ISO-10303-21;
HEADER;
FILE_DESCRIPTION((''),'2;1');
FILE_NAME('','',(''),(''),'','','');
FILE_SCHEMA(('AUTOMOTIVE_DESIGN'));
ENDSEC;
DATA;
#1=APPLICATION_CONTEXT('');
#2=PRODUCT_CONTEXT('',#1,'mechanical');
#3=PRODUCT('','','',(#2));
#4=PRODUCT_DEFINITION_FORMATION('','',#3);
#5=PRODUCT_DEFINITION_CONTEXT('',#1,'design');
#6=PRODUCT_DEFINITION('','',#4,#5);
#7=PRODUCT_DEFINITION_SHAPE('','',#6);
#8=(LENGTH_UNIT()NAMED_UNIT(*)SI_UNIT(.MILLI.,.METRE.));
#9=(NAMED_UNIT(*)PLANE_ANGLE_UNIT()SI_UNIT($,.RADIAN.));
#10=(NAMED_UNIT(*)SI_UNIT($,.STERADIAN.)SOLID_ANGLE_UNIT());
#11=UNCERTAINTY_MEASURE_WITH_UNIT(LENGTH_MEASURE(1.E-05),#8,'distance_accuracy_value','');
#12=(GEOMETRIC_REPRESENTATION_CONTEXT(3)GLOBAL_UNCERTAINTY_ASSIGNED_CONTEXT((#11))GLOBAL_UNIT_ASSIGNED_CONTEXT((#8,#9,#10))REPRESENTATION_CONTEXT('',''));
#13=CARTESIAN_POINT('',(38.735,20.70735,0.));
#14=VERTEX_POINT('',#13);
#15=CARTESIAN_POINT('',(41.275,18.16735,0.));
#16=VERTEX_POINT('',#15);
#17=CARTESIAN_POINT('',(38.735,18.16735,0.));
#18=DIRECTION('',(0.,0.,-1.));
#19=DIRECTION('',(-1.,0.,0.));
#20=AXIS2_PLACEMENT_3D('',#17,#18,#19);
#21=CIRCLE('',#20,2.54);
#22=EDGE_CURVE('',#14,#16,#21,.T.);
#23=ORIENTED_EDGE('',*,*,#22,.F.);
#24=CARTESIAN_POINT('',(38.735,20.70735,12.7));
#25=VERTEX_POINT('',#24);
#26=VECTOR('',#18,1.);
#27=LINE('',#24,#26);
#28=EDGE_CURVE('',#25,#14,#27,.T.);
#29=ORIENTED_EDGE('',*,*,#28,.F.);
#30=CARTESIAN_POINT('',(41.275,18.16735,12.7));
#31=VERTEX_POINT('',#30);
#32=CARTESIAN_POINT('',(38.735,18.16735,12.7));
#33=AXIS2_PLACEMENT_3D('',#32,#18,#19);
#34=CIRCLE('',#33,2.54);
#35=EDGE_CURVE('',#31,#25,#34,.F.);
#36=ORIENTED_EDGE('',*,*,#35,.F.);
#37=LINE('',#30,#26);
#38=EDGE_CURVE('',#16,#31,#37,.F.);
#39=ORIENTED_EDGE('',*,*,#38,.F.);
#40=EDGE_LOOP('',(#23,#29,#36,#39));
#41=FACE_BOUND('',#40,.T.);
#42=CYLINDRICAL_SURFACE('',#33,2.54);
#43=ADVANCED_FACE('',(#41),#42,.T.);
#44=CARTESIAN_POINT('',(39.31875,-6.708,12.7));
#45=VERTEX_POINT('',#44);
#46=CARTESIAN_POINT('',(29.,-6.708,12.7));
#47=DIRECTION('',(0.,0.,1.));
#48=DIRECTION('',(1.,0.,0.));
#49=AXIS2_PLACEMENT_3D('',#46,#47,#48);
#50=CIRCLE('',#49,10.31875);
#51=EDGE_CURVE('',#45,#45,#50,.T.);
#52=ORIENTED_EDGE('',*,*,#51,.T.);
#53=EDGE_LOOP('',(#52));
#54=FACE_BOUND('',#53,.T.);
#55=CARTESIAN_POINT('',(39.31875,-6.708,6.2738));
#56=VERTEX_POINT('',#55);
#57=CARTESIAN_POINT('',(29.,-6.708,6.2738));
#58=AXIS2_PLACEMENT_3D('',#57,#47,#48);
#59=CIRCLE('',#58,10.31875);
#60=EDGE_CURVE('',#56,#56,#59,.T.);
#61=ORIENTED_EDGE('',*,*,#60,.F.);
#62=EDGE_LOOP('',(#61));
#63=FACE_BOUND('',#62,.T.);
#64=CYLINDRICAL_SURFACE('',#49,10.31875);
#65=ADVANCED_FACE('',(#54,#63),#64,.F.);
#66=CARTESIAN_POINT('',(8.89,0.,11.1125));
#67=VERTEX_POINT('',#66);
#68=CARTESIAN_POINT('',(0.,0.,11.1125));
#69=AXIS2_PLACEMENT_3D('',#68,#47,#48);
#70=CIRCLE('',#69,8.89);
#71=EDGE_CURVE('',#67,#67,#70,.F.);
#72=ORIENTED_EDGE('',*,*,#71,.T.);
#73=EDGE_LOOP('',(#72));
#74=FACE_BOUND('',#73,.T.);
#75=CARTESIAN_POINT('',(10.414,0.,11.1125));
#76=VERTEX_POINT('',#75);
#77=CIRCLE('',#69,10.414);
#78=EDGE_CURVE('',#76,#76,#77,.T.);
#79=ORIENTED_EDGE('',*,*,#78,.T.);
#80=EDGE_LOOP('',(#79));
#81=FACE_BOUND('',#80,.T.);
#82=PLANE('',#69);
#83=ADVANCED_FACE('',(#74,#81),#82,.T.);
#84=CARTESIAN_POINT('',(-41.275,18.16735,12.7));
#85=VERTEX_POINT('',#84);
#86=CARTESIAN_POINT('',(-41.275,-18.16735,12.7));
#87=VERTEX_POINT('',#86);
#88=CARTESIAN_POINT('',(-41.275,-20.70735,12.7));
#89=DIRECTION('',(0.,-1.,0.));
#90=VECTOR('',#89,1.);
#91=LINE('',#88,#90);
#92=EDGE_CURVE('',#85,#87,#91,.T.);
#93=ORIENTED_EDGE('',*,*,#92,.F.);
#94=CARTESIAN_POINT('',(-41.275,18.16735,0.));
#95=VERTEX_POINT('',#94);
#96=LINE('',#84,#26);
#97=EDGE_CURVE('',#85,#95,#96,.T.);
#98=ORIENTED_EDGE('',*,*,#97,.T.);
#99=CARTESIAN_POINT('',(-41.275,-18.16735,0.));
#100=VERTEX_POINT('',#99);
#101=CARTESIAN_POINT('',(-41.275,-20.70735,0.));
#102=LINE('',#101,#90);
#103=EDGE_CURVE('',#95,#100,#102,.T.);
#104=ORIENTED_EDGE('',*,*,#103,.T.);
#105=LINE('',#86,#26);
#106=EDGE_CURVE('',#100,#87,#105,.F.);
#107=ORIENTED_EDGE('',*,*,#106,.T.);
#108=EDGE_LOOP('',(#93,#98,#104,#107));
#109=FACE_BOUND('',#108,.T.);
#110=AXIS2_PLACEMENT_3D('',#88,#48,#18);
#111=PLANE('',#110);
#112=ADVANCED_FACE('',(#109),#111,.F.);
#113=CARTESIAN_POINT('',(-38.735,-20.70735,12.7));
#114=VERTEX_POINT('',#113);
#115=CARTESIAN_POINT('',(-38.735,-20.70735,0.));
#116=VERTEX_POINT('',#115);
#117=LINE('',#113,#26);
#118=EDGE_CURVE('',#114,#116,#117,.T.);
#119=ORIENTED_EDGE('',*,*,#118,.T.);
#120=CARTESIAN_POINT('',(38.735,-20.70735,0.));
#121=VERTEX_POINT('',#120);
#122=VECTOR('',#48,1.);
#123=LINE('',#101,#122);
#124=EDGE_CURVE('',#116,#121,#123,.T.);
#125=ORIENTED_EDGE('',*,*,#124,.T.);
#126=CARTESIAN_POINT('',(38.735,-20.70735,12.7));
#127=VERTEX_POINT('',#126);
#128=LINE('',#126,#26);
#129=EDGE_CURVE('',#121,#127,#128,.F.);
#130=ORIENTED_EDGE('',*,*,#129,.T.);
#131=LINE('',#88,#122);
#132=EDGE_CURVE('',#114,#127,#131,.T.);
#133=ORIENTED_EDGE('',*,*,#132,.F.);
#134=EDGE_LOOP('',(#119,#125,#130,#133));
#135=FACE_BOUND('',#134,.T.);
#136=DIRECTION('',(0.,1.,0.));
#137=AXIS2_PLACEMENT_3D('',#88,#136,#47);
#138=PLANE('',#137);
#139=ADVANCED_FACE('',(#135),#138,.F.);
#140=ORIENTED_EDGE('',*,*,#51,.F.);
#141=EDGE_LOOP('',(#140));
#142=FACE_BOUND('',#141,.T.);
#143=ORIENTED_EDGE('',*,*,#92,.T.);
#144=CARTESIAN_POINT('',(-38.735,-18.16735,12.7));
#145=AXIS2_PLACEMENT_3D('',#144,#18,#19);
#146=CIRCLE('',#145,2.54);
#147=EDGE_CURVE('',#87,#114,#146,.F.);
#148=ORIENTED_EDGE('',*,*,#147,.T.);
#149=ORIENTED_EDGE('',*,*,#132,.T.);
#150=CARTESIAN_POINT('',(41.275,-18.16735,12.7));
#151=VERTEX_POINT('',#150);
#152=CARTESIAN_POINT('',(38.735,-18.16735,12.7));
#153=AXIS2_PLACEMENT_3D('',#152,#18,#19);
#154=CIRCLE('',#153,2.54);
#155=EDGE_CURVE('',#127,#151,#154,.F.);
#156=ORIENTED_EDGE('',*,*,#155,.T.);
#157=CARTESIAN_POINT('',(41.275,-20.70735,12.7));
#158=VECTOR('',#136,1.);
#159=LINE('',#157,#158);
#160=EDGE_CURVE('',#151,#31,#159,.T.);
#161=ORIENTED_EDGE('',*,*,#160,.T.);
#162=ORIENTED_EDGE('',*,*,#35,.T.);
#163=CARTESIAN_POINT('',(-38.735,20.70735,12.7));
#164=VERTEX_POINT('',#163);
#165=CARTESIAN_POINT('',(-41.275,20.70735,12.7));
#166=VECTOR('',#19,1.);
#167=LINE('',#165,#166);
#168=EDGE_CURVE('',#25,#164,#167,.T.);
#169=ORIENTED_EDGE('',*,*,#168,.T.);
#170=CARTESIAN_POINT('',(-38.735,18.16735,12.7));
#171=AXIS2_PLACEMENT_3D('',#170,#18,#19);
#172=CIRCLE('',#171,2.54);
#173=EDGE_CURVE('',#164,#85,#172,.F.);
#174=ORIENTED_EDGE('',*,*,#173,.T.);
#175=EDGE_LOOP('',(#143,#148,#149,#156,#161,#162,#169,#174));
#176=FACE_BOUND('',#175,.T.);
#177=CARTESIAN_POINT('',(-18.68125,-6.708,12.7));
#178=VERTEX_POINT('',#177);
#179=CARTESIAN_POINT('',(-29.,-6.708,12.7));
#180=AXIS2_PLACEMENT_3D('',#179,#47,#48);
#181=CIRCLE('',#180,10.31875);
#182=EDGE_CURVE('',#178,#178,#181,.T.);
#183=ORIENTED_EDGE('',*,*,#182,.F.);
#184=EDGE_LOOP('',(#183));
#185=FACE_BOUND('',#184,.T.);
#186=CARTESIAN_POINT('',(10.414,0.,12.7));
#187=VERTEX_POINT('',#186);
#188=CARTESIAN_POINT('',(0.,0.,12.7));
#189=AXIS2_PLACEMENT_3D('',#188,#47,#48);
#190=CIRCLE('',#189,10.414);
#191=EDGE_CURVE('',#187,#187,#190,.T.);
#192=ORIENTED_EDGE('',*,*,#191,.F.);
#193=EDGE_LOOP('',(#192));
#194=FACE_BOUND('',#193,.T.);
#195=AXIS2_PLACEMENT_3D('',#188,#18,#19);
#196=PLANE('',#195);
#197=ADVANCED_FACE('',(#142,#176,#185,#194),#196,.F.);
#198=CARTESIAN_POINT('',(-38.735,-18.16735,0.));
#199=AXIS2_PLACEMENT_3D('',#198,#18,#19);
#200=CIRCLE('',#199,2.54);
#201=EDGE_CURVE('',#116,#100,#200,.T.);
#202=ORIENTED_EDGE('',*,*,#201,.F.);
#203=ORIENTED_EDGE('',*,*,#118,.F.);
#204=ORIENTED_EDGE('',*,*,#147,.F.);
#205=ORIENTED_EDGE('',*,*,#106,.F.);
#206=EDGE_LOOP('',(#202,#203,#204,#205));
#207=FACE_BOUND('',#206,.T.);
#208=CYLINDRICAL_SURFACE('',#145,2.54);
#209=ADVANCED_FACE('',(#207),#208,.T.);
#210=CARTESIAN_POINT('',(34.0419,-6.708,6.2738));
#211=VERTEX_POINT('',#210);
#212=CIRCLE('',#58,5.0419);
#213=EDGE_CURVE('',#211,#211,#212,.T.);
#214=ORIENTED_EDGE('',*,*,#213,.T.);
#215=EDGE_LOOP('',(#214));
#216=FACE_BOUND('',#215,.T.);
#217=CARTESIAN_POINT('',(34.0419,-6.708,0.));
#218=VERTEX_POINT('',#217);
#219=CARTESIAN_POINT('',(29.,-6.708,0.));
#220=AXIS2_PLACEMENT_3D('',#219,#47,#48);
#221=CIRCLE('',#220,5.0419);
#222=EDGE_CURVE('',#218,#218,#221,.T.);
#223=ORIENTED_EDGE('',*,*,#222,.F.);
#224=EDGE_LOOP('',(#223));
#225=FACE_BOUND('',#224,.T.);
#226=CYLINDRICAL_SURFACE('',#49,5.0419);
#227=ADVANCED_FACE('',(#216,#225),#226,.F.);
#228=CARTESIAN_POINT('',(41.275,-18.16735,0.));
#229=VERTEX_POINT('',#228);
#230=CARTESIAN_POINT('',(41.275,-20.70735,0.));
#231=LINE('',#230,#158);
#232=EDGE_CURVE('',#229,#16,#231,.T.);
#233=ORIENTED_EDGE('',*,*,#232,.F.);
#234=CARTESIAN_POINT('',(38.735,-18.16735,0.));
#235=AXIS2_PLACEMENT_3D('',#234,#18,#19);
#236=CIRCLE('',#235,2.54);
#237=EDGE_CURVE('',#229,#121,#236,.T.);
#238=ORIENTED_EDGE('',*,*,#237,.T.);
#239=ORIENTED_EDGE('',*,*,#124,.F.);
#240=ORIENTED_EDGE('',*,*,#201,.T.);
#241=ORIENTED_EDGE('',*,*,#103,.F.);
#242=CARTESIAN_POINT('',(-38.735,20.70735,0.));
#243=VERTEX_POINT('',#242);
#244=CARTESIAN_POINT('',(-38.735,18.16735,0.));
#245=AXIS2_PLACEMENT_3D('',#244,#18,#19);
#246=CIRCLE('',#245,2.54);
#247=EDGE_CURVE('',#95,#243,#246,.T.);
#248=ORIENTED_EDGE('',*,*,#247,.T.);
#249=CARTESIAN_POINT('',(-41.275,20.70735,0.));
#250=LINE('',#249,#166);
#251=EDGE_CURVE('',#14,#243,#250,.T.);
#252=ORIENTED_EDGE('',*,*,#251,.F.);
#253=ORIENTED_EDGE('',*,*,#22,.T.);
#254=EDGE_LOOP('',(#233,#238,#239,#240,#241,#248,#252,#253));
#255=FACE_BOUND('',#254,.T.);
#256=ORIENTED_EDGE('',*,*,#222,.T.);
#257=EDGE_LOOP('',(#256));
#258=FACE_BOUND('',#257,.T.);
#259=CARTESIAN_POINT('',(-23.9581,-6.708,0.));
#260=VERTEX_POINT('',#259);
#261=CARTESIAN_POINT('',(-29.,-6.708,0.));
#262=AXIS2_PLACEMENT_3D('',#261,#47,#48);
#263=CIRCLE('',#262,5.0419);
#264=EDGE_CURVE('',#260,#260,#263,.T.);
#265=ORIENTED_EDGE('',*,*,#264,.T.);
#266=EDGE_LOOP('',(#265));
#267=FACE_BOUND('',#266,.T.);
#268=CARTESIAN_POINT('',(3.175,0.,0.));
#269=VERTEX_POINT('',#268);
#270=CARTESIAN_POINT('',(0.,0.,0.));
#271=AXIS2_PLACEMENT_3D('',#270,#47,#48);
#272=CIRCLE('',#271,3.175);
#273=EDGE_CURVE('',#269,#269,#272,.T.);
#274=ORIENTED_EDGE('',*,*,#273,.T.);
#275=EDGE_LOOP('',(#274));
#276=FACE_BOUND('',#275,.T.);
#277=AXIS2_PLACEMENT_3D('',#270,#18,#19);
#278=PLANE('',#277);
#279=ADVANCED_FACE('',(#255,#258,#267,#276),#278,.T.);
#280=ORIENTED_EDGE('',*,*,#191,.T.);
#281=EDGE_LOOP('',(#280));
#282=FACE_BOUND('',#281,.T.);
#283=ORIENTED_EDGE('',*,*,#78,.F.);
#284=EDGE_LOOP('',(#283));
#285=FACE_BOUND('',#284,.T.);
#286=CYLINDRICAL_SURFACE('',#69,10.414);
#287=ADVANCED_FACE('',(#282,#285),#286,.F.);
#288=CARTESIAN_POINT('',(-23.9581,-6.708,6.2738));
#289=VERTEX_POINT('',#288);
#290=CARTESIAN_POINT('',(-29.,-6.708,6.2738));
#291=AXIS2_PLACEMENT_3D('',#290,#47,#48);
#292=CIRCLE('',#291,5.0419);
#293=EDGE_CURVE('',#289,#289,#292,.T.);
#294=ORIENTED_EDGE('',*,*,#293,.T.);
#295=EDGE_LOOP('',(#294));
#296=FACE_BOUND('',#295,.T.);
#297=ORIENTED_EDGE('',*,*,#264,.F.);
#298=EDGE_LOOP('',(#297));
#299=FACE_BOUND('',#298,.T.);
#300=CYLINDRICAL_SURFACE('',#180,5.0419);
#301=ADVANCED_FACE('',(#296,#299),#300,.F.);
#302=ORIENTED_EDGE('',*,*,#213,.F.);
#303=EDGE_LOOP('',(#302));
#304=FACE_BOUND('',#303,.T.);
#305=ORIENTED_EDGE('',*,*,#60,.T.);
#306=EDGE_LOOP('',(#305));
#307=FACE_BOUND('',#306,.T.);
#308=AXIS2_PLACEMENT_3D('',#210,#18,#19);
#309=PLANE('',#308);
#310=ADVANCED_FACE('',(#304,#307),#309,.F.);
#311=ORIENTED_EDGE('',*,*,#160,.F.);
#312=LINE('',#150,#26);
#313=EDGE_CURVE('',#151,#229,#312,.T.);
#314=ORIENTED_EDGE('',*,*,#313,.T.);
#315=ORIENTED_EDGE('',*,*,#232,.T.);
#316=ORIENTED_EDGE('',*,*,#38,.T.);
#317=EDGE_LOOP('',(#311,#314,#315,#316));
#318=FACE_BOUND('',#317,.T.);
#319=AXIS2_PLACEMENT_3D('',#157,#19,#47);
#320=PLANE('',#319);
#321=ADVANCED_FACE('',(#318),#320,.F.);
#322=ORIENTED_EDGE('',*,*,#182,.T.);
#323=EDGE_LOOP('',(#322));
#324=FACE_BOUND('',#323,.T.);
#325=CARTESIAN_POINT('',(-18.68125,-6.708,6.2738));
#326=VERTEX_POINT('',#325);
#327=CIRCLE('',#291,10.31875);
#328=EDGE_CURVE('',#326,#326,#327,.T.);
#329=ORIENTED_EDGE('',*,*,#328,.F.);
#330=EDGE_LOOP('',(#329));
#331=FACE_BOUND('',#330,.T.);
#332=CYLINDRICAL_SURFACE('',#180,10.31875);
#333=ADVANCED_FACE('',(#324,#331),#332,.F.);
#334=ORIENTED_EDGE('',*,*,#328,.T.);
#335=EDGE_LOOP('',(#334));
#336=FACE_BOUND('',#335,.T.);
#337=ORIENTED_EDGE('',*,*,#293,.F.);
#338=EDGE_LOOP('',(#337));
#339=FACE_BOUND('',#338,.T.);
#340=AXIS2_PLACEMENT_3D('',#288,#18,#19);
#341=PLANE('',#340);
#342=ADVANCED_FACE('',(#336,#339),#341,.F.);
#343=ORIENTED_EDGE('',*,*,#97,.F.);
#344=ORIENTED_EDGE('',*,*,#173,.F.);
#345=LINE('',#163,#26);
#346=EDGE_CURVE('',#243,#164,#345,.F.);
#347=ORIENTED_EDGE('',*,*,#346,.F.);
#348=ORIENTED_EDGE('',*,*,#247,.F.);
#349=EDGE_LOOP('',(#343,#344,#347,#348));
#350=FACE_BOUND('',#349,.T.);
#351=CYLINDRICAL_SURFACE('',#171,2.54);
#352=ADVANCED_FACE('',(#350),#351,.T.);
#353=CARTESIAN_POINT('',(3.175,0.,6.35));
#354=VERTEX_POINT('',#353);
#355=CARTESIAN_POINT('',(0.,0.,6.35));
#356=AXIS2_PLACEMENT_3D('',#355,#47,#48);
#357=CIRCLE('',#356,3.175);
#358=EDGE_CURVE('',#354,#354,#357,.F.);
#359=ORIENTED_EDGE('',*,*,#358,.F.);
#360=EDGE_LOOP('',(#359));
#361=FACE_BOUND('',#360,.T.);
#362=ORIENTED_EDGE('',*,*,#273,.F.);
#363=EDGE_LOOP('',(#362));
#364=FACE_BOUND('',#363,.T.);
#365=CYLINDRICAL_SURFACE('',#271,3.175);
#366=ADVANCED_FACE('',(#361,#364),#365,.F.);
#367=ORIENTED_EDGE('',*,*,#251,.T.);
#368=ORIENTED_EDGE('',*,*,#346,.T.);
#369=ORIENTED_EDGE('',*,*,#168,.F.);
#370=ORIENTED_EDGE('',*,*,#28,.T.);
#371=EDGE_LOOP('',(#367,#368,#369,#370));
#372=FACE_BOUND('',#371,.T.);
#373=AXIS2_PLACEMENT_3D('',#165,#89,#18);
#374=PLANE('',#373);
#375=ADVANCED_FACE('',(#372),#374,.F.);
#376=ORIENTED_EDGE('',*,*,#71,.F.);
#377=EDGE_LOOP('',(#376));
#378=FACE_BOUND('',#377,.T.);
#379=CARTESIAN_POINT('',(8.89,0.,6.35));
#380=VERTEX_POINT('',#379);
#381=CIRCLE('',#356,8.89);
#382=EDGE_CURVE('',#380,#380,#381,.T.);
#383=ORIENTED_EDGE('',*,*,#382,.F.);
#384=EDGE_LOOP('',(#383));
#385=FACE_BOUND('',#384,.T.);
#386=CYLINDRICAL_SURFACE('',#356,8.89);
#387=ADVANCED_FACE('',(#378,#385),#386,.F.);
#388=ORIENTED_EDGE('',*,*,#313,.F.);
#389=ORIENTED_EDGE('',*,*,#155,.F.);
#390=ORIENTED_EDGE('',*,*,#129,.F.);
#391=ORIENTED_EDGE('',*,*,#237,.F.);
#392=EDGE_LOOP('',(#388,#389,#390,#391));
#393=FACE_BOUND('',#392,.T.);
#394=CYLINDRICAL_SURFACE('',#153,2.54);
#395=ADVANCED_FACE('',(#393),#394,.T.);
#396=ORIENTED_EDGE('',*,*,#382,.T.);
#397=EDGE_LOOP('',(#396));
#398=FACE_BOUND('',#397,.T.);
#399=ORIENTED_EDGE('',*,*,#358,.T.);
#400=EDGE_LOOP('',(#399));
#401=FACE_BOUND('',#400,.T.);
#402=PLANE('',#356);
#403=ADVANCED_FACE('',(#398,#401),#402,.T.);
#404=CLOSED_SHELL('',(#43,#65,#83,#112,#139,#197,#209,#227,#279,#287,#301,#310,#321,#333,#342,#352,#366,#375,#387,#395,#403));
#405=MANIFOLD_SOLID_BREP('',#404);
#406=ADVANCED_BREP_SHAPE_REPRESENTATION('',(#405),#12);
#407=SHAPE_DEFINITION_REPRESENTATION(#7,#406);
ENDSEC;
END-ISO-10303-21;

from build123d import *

# Parameters (mm, degrees)
SKETCH1_W                                            = 82.55
SKETCH1_H                                            = 41.4147
BOSS_EXTRUDE1_DEPTH                                  = 12.7
SKETCH2_R                                            = 3.175
CUT_EXTRUDE1_DEPTH                                   = 12.7
SKETCH3_R                                            = 8.89
CUT_EXTRUDE2_DEPTH                                   = 6.35
SKETCH5_R                                            = 10.414
CUT_EXTRUDE7_DEPTH                                   = 1.5875
FILLET1_R                                            = 2.54
CBORE_FOR_3_8_BINDING_HEAD_MACHINE_SCREW_D           = 10.0838
CBORE_FOR_3_8_BINDING_HEAD_MACHINE_SCREW_CBORE_D     = 20.6375
CBORE_FOR_3_8_BINDING_HEAD_MACHINE_SCREW_CBORE_DEPTH = 6.4262


with BuildPart() as part:
    # Sketch1 → Boss-Extrude1 (new body)
    with BuildSketch(Plane.XY):
        Rectangle(SKETCH1_W, SKETCH1_H)
    extrude(amount=BOSS_EXTRUDE1_DEPTH)

    # Sketch2 → Cut-Extrude1 (cut)
    with BuildSketch(Plane.XY.offset(12.7)):
        Circle(SKETCH2_R)
    extrude(amount=-CUT_EXTRUDE1_DEPTH, mode=Mode.SUBTRACT)

    # Sketch3 → Cut-Extrude2 (cut)
    with BuildSketch(Plane.XY.offset(12.7)):
        Circle(SKETCH3_R)
    extrude(amount=-CUT_EXTRUDE2_DEPTH, mode=Mode.SUBTRACT)

    # Sketch5 → Cut-Extrude7 (cut)
    with BuildSketch(Plane.XY.offset(12.7)):
        Circle(SKETCH5_R)
    extrude(amount=-CUT_EXTRUDE7_DEPTH, mode=Mode.SUBTRACT)

    # Fillet1
    fillet1_edges = [part.edges().sort_by_distance(p)[0] for p in [
        (41.275, -20.70735, 6.35),
        (-41.275, -20.70735, 6.35),
        (-41.275, 20.70735, 6.35),
        (41.275, 20.70735, 6.35),
    ]]
    fillet(fillet1_edges, radius=FILLET1_R)

    # CBORE for 3/8 Binding Head Machine Screw1 (through all)
    with Locations(Plane.XY.offset(12.7)):
        with Locations((-29, -6.708000046), (29, -6.708000046)):
            CounterBoreHole(CBORE_FOR_3_8_BINDING_HEAD_MACHINE_SCREW_D / 2, CBORE_FOR_3_8_BINDING_HEAD_MACHINE_SCREW_CBORE_D / 2, CBORE_FOR_3_8_BINDING_HEAD_MACHINE_SCREW_CBORE_DEPTH)


solid = part.part
